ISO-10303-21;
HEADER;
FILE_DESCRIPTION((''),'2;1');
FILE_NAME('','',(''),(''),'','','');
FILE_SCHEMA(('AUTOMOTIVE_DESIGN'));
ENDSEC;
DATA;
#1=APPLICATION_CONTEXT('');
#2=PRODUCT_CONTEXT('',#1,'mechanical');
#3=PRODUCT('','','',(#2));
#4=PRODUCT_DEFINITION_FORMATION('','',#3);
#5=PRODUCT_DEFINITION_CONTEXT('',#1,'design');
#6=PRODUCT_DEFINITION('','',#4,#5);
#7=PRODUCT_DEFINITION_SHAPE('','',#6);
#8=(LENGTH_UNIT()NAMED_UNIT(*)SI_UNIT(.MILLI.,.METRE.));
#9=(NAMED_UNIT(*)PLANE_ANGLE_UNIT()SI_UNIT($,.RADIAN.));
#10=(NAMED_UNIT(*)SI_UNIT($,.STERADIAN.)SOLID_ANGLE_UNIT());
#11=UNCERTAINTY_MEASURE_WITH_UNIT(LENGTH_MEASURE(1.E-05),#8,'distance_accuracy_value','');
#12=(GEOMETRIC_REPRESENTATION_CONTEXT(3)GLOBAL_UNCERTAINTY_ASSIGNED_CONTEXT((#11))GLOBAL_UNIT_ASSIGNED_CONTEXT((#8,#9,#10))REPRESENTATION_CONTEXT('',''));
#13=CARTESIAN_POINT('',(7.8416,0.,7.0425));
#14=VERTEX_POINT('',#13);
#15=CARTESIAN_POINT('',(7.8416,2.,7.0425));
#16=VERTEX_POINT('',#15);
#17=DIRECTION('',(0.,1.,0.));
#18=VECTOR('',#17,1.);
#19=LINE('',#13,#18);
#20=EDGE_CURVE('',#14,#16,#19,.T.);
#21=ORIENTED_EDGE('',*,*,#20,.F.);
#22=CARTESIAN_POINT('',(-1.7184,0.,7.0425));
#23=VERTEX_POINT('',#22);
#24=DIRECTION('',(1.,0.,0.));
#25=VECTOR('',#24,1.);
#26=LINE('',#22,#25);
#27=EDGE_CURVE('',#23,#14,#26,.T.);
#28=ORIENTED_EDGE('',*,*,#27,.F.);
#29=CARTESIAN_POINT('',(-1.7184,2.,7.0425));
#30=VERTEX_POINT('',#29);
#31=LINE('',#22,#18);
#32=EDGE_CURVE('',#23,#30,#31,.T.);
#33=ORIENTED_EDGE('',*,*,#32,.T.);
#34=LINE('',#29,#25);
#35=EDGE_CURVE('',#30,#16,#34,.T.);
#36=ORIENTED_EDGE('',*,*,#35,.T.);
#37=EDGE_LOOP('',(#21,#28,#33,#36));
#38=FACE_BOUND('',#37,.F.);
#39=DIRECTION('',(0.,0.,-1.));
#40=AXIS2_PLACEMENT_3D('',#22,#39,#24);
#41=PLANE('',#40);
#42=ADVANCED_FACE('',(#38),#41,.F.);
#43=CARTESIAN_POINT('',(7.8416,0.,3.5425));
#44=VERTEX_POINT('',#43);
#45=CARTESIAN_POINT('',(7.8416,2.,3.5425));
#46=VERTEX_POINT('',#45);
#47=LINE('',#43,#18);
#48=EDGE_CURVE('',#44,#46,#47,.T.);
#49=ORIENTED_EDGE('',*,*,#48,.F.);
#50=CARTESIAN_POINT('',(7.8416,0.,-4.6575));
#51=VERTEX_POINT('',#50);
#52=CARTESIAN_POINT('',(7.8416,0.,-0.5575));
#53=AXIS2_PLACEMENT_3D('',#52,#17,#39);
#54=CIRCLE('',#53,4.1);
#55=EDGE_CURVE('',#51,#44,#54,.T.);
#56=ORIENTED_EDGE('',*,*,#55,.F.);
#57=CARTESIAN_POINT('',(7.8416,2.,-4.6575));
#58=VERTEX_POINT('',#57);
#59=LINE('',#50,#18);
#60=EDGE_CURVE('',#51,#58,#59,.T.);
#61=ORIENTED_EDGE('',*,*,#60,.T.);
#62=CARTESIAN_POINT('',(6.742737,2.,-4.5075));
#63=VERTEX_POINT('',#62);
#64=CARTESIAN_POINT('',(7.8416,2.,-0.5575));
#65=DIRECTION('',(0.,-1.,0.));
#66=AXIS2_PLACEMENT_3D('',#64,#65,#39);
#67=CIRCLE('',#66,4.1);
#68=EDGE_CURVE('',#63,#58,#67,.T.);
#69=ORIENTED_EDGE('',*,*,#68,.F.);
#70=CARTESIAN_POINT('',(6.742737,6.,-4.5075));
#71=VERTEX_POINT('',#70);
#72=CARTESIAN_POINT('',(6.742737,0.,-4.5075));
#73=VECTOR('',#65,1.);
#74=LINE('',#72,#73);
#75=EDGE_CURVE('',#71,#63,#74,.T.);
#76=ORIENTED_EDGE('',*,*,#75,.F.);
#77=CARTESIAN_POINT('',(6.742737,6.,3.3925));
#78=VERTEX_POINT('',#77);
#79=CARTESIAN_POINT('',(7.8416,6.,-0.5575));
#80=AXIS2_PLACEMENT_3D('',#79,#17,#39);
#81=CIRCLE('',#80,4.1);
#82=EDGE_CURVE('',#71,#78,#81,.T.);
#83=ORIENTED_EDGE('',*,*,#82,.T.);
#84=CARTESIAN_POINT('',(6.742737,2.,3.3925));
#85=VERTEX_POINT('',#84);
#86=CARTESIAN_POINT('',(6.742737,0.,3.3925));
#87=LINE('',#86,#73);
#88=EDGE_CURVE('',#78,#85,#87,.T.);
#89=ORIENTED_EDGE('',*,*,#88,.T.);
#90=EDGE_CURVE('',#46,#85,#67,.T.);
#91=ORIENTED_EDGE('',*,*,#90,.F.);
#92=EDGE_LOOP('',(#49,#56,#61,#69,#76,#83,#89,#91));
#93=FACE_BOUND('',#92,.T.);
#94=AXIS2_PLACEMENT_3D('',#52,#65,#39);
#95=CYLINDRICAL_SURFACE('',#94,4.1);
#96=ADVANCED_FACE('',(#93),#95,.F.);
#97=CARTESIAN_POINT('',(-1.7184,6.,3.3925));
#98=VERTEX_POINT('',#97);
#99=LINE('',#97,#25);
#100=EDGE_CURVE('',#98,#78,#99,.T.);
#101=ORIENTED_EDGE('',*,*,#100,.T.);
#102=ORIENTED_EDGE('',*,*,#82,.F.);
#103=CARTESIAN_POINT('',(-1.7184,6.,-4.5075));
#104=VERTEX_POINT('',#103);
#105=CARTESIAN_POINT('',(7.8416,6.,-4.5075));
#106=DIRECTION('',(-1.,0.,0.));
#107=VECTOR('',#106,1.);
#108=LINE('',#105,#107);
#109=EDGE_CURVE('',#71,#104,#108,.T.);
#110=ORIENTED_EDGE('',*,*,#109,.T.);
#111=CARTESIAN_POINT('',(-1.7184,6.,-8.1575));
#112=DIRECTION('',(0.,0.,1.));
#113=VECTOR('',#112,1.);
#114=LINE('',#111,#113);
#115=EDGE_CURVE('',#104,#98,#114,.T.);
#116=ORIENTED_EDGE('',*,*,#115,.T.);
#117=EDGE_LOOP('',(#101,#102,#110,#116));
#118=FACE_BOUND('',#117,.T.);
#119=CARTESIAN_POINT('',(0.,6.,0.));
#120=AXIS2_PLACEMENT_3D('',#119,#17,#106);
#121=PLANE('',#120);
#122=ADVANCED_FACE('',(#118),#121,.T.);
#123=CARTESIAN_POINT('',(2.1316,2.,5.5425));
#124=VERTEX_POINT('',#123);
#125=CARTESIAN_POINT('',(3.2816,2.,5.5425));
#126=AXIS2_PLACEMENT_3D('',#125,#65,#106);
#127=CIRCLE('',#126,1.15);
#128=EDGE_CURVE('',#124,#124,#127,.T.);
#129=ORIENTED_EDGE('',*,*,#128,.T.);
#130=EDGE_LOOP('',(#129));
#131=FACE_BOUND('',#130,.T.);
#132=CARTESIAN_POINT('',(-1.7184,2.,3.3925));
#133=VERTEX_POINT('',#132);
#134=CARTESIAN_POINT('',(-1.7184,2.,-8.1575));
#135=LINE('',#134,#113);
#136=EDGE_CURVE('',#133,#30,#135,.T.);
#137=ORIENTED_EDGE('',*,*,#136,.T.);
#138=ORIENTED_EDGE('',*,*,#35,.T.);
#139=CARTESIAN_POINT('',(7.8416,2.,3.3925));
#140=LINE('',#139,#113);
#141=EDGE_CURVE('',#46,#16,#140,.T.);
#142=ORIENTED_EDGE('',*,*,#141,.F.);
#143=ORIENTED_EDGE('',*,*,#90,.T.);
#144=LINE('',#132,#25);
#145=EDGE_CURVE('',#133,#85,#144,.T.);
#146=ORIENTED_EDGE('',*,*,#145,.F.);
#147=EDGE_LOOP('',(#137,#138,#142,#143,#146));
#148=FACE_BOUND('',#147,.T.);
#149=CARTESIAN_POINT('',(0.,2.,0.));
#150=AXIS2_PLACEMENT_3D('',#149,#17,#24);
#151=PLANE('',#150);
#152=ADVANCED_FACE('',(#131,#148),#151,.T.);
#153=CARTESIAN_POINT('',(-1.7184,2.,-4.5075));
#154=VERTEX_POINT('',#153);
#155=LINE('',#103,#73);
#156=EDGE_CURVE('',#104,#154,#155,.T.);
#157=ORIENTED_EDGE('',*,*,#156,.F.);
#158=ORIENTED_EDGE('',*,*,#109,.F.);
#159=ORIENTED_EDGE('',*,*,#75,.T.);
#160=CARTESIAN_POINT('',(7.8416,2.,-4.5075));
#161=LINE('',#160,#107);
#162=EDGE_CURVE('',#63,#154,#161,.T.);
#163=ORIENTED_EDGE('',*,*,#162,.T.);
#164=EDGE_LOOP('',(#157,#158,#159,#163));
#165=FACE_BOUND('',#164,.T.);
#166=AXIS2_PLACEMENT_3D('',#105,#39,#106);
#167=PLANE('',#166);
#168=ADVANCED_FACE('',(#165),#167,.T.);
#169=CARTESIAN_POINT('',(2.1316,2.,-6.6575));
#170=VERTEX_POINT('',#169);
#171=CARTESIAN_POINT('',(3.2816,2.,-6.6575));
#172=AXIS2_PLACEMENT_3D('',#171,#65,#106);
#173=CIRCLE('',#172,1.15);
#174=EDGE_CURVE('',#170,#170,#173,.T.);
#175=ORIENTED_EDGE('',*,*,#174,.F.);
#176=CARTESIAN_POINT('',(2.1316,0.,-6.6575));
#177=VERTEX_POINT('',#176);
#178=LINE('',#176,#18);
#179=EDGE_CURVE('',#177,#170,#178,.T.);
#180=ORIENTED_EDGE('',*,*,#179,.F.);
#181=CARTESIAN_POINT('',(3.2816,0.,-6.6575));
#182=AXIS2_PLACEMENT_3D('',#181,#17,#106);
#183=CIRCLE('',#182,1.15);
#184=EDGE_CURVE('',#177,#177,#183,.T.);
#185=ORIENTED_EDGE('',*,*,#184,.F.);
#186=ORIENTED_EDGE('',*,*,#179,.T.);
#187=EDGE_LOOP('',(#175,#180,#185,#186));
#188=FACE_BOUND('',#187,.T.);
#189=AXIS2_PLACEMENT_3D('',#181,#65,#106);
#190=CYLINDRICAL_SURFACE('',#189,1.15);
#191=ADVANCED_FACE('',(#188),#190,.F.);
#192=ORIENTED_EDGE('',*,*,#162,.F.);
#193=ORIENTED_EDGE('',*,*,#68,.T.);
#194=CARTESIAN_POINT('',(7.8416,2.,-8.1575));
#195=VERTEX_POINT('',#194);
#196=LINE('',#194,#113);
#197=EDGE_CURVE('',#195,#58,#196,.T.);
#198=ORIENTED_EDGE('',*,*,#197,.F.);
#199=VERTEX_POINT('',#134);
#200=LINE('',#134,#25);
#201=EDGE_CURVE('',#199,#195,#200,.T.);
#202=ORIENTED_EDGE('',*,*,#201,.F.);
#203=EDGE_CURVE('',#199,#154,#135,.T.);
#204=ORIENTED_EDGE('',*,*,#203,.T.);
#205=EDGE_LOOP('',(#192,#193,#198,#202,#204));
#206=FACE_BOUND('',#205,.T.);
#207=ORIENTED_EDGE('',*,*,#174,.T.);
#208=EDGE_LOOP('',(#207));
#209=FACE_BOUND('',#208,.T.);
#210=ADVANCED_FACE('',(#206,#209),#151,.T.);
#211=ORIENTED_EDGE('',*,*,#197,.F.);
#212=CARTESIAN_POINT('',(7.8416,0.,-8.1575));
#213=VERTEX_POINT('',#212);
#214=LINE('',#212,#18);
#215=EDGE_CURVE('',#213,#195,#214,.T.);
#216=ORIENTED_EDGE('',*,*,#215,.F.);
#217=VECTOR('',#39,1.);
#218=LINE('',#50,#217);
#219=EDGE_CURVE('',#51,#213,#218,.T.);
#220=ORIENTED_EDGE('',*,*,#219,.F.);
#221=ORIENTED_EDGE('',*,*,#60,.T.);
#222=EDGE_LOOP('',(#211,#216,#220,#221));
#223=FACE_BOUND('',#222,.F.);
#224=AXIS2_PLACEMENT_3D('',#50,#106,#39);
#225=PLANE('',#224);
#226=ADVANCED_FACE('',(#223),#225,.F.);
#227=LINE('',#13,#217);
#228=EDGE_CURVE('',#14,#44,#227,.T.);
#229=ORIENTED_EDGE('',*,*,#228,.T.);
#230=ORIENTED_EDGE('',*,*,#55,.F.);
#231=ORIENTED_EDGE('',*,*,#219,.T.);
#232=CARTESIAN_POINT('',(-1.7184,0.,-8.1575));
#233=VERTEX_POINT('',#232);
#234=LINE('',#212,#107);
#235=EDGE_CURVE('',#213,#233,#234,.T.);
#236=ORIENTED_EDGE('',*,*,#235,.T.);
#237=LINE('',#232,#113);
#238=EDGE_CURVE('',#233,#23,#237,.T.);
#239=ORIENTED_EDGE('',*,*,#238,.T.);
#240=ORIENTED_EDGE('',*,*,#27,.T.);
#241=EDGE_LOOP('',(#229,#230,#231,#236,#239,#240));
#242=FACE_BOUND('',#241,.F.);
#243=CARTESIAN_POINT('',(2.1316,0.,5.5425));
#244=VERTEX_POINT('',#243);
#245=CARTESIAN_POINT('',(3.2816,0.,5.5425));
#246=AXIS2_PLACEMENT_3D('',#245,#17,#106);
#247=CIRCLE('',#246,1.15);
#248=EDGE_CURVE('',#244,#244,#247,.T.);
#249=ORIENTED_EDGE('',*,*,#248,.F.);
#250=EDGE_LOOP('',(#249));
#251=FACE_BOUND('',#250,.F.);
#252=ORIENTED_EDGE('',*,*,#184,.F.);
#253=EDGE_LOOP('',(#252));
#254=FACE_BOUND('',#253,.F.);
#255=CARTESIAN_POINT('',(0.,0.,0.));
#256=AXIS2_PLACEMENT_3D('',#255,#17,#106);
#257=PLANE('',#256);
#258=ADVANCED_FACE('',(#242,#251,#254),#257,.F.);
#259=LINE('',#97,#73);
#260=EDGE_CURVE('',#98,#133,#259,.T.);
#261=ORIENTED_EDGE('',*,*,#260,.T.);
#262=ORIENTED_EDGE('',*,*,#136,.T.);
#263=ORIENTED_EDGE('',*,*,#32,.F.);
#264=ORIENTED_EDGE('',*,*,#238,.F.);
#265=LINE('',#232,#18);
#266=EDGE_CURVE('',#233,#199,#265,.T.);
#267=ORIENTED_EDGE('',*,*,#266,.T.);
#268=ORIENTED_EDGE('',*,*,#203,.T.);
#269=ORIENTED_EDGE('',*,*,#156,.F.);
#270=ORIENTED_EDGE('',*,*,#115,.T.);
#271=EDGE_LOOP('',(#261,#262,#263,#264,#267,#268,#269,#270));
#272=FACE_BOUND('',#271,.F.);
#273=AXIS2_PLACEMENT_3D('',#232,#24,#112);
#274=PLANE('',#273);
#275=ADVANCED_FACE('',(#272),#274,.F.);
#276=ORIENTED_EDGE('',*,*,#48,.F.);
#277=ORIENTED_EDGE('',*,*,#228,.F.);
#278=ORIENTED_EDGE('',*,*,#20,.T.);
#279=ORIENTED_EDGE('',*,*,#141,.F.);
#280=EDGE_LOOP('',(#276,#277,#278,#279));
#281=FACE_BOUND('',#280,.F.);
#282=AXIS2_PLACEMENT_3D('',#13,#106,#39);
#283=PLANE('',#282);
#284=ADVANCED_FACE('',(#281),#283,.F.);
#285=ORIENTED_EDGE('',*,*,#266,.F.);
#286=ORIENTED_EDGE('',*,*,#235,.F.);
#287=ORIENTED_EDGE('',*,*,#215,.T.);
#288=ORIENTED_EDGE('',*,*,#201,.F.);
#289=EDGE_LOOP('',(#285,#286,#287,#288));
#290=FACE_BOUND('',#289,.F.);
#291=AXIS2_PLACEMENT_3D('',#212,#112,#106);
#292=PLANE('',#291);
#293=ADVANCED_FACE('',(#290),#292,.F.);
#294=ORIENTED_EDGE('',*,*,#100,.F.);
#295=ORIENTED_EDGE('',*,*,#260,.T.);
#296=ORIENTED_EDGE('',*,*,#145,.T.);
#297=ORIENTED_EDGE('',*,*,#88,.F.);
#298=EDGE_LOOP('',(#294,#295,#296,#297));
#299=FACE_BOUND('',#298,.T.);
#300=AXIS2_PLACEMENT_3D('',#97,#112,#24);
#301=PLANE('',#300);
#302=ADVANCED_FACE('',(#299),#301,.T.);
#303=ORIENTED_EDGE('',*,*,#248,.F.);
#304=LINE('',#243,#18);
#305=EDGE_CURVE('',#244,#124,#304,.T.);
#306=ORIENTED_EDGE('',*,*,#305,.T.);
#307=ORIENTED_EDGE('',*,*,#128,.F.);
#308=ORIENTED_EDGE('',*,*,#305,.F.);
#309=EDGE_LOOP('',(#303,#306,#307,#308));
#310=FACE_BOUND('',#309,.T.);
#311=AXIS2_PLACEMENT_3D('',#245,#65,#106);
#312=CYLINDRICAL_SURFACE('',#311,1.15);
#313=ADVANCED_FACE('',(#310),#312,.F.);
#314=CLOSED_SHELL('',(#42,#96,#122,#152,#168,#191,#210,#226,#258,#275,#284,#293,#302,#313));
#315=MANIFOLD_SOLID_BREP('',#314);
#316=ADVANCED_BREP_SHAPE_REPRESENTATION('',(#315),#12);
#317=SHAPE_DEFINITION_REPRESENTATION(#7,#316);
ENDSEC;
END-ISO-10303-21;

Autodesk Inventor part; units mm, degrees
ref_plane "YZ Plane" through (0, 0, 0) normal (1, 0, 0) x (0, 1, 0)
ref_plane "XZ Plane" through (0, 0, 0) normal (0, 1, 0) x (-1, 0, 0)
ref_plane "XY Plane" through (0, 0, 0) normal (0, 0, 1) x (1, 0, 0)
sketch "Sketch1" plane through (0, 0, 0) normal (0, 1, 0) x (-1, 0, 0)
  line L0 (1.7184, 7.0425) -> (-7.8416, 7.0425)
  line L1 (-7.8416, -8.1575) -> (1.7184, -8.1575)
  line L2 (1.7184, -8.1575) -> (1.7184, 7.0425)
  circle A0 centre (-3.2816, 5.5425) radius 1.15
  circle A1 centre (-3.2816, -6.6575) radius 1.15
  line L3 (-7.8416, 7.0425) -> (-7.8416, 3.5425)
  line L4 (-7.8416, -4.6575) -> (-7.8416, -8.1575)
  arc A2 (-7.8416, -4.6575) -> (-7.8416, 3.5425) centre (-7.8416, -0.5575) ccw
  point P0 (0, 0)
  dimension "d0" = 15.2
  dimension "d2" = 5
  dimension "d3" = 5
  dimension "d4" = 1.5
  dimension "d5" = 1.5
  dimension "d6" = 2.3
  dimension "d7" = 2.3
  dimension "d11" = 9.56
  dimension "d12" = 8.2
  dimension "d13" = 7.6
extrude "Extrusion1" add sketch "Sketch1" along normal blind 6
sketch "Sketch2" plane through (0, 6, 0) normal (0, 1, 0) x (1, 0, 0)
  line L0 (-1.7184, -7.0425) -> (7.8416, -7.0425) projected
  line L1 (-1.7184, 8.1575) -> (-1.7184, -7.0425) projected
  line L2 (7.8416, -7.0425) -> (-1.7184, -7.0425)
  line L3 (-1.7184, -7.0425) -> (-1.7184, -3.3925)
  line L4 (-1.7184, -3.3925) -> (7.8416, -3.3925)
  line L5 (7.8416, -3.3925) -> (7.8416, -7.0425)
  line L6 (7.8416, 4.5075) -> (-1.7184, 4.5075)
  line L7 (-1.7184, 4.5075) -> (-1.7184, 8.1575)
  line L8 (-1.7184, 8.1575) -> (7.8416, 8.1575)
  line L9 (7.8416, 8.1575) -> (7.8416, 4.5075)
  point P0 (0, 0)
  dimension "d14" = 3.65
  dimension "d19" = 3.65
extrude "Extrusion2" cut sketch "Sketch2" against normal blind 4 contours L1 L4 L5 L0
extrude "Extrusion3" cut sketch "Sketch2" against normal blind 4 contours L1 L8 L9 L6
properties part number "UCover_SMA"
